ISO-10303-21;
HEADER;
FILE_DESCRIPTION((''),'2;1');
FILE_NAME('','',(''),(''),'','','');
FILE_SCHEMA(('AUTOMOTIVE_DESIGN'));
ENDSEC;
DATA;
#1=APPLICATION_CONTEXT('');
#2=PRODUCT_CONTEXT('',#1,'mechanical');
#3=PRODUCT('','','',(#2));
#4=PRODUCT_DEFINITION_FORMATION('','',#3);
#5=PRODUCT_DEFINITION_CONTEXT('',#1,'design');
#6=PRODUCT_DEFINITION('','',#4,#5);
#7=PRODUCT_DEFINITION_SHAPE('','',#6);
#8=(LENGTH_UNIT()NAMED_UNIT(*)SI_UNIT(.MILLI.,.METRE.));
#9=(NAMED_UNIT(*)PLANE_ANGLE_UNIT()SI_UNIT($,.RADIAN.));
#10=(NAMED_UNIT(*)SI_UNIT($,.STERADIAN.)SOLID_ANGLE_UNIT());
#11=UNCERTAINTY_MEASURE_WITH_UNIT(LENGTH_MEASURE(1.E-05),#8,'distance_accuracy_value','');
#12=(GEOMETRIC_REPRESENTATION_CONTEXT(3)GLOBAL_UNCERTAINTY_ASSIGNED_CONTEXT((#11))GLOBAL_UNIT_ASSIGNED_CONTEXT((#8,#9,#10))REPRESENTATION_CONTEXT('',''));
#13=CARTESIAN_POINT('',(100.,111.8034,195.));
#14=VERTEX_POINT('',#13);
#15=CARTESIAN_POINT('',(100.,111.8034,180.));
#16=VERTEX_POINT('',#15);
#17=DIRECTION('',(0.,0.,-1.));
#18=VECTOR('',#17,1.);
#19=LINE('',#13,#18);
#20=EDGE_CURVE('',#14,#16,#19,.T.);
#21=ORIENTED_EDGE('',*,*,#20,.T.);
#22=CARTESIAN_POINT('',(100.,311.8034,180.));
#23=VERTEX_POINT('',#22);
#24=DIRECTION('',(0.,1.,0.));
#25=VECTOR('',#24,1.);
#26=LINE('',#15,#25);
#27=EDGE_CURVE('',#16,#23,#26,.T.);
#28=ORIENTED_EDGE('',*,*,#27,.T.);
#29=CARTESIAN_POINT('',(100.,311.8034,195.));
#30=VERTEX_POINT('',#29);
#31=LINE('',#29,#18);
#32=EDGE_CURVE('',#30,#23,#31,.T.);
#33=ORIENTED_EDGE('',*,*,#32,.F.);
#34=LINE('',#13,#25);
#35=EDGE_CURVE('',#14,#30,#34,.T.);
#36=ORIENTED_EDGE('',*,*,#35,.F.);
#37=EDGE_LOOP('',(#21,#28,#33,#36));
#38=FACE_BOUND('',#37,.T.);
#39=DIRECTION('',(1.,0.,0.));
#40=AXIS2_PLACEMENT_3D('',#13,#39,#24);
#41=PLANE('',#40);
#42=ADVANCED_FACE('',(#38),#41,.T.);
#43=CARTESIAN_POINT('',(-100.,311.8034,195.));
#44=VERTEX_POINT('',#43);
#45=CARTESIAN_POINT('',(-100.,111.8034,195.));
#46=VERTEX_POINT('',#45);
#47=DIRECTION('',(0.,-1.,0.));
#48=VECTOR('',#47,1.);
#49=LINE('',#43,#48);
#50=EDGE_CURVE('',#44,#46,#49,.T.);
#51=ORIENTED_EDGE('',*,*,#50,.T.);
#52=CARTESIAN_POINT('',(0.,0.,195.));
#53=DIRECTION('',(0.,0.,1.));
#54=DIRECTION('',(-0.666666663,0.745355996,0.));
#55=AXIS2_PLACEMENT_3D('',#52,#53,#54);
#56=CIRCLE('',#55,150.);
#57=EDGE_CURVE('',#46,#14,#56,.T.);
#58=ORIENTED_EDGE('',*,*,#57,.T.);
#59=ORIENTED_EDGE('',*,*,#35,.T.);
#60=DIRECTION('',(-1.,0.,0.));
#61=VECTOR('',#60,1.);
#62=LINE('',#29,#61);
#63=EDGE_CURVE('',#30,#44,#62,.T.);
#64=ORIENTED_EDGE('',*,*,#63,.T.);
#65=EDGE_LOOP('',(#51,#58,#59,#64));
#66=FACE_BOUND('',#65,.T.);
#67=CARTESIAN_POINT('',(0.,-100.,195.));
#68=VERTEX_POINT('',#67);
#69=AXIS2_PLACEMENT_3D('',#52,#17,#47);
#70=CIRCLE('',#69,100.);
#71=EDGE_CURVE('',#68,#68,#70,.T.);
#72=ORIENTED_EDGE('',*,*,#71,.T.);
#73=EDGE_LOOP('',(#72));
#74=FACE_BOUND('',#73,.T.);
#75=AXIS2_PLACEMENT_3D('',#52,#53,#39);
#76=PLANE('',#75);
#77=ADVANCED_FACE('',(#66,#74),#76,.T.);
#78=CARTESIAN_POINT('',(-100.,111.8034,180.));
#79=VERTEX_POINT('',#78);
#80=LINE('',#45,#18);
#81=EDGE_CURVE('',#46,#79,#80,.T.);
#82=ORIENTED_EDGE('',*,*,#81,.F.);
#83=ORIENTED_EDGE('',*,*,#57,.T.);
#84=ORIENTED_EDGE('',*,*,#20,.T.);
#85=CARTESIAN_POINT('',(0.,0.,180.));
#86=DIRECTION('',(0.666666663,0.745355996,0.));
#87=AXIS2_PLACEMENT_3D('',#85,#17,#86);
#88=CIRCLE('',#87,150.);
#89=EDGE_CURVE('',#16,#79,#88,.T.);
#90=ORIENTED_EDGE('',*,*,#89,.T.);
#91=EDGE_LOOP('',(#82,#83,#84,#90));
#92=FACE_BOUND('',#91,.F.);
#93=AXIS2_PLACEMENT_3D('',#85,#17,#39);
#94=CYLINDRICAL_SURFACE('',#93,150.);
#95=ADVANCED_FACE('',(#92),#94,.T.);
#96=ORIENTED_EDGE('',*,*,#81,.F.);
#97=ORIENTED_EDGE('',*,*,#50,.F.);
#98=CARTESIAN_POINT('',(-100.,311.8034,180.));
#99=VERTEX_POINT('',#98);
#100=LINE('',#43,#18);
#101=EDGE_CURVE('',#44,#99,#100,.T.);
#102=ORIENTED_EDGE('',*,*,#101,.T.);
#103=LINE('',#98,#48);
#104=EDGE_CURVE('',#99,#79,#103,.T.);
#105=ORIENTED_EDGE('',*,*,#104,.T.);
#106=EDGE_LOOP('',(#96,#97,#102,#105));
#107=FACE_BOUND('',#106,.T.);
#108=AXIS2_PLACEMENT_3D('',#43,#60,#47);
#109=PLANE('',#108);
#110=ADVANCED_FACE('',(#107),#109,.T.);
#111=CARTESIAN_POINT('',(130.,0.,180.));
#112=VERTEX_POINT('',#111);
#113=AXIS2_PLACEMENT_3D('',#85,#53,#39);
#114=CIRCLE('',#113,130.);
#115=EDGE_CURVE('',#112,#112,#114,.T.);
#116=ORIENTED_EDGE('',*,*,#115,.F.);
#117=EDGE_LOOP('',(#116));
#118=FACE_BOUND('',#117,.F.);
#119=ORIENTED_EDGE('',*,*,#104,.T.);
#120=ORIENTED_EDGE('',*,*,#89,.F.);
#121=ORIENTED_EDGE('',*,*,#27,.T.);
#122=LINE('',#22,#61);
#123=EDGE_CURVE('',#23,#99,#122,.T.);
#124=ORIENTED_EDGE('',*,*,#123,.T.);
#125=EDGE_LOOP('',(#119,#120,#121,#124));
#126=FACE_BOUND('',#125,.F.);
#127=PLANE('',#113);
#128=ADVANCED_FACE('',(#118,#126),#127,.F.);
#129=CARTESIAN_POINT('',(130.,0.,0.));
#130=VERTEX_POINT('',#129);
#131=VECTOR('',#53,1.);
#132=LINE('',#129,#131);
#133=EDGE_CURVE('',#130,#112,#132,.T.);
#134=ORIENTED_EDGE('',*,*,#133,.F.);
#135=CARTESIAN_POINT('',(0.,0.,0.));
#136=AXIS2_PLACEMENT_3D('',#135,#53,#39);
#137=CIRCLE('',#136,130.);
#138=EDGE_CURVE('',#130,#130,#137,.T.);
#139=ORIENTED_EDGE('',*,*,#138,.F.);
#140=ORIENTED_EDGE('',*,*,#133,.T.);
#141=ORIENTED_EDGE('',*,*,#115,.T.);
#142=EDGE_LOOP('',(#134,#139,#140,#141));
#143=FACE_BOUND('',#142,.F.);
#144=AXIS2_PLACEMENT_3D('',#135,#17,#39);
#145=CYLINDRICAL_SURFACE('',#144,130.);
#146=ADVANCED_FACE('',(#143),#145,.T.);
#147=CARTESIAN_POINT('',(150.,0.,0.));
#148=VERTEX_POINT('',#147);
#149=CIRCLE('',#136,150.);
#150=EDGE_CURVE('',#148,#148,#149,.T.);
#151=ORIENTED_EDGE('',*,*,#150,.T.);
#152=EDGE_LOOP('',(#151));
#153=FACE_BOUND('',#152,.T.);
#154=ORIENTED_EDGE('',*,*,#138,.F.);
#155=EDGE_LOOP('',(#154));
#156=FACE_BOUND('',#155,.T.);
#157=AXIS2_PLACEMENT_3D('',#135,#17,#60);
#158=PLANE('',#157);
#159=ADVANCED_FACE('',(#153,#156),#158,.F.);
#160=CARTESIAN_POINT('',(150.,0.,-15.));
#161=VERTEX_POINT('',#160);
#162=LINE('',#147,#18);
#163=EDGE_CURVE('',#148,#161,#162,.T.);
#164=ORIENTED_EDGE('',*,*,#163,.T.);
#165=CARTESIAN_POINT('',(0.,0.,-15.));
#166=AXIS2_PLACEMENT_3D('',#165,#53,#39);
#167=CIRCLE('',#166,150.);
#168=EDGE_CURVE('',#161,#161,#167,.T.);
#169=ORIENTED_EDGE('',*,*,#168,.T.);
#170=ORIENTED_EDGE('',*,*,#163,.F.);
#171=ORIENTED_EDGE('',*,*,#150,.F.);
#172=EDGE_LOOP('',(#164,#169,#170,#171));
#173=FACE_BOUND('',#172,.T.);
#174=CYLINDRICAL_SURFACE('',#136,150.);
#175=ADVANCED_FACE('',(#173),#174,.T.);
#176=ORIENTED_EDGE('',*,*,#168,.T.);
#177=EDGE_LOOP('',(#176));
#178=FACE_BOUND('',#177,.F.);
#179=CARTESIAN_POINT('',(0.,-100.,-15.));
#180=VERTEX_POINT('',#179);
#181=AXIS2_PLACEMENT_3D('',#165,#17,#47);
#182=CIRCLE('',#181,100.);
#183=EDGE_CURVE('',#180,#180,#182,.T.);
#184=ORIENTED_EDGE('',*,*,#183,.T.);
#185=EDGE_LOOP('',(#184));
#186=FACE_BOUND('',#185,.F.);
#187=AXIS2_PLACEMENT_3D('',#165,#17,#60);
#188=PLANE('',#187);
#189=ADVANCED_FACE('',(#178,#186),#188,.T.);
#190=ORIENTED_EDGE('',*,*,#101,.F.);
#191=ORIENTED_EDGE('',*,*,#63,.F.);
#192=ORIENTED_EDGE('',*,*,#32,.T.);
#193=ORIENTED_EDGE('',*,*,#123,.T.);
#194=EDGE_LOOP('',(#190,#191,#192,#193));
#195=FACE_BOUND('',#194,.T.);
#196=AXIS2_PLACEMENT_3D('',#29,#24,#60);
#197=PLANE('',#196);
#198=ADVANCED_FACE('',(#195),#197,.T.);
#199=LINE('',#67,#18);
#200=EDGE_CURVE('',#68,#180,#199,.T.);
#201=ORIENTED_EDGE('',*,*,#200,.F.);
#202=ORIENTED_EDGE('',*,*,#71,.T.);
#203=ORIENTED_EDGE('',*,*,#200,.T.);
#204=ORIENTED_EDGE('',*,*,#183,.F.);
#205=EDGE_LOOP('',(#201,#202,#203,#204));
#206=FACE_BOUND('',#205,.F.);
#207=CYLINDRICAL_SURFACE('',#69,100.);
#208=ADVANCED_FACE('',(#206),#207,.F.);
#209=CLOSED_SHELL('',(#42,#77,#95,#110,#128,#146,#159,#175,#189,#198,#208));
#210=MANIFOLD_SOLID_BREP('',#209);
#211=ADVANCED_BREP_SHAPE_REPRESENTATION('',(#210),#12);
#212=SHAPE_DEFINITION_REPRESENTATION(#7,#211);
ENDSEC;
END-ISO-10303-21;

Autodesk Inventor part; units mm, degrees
ref_plane "YZ Plane" through (0, 0, 0) normal (1, 0, 0) x (0, 1, 0)
ref_plane "XZ Plane" through (0, 0, 0) normal (0, 1, 0) x (-1, 0, 0)
sketch "Sketch1" plane through (0, 0, 0) normal (0, 0, 1) x (1, 0, 0)
  circle A0 centre (0, 0) radius 130
  dimension "d0" = 260
extrude "Extrusion1" add sketch "Sketch1" along normal blind 180
sketch "Sketch2" plane through (0, 0, 180) normal (0, 0, 1) x (1, 0, 0)
  circle A0 centre (0, 0) radius 150
  dimension "d3" = 300
extrude "Extrusion2" add sketch "Sketch2" along normal blind 15
ref_plane "Work Plane3" through (0, 0, 90) normal (0, 0, -1) x (-1, 0, 0)
mirror "Mirror2" about plane through (0, 0, 90) normal (0, 0, -1) of "Extrusion2"
hole "Hole2" at (0, 0, 195) direction (0, 0, -1) diameter 200 end through all
sketch "Sketch6" plane through (0, 0, 195) normal (0, 0, 1) x (1, 0, 0)
  line L0 (-100, 111.8034) -> (100, 111.8034) construction
  line L1 (100, 111.8034) -> (100, 311.8034)
  line L2 (100, 311.8034) -> (-100, 311.8034)
  line L3 (-100, 311.8034) -> (-100, 111.8034)
  circle A0 centre (0, 0) radius 150 projected
  dimension "d36" = 200
  dimension "d37" = 200
extrude "Extrusion6" add sketch "Sketch6" against normal blind 15 contours A0 L3 L2 L1
properties part number "Generator placement"
